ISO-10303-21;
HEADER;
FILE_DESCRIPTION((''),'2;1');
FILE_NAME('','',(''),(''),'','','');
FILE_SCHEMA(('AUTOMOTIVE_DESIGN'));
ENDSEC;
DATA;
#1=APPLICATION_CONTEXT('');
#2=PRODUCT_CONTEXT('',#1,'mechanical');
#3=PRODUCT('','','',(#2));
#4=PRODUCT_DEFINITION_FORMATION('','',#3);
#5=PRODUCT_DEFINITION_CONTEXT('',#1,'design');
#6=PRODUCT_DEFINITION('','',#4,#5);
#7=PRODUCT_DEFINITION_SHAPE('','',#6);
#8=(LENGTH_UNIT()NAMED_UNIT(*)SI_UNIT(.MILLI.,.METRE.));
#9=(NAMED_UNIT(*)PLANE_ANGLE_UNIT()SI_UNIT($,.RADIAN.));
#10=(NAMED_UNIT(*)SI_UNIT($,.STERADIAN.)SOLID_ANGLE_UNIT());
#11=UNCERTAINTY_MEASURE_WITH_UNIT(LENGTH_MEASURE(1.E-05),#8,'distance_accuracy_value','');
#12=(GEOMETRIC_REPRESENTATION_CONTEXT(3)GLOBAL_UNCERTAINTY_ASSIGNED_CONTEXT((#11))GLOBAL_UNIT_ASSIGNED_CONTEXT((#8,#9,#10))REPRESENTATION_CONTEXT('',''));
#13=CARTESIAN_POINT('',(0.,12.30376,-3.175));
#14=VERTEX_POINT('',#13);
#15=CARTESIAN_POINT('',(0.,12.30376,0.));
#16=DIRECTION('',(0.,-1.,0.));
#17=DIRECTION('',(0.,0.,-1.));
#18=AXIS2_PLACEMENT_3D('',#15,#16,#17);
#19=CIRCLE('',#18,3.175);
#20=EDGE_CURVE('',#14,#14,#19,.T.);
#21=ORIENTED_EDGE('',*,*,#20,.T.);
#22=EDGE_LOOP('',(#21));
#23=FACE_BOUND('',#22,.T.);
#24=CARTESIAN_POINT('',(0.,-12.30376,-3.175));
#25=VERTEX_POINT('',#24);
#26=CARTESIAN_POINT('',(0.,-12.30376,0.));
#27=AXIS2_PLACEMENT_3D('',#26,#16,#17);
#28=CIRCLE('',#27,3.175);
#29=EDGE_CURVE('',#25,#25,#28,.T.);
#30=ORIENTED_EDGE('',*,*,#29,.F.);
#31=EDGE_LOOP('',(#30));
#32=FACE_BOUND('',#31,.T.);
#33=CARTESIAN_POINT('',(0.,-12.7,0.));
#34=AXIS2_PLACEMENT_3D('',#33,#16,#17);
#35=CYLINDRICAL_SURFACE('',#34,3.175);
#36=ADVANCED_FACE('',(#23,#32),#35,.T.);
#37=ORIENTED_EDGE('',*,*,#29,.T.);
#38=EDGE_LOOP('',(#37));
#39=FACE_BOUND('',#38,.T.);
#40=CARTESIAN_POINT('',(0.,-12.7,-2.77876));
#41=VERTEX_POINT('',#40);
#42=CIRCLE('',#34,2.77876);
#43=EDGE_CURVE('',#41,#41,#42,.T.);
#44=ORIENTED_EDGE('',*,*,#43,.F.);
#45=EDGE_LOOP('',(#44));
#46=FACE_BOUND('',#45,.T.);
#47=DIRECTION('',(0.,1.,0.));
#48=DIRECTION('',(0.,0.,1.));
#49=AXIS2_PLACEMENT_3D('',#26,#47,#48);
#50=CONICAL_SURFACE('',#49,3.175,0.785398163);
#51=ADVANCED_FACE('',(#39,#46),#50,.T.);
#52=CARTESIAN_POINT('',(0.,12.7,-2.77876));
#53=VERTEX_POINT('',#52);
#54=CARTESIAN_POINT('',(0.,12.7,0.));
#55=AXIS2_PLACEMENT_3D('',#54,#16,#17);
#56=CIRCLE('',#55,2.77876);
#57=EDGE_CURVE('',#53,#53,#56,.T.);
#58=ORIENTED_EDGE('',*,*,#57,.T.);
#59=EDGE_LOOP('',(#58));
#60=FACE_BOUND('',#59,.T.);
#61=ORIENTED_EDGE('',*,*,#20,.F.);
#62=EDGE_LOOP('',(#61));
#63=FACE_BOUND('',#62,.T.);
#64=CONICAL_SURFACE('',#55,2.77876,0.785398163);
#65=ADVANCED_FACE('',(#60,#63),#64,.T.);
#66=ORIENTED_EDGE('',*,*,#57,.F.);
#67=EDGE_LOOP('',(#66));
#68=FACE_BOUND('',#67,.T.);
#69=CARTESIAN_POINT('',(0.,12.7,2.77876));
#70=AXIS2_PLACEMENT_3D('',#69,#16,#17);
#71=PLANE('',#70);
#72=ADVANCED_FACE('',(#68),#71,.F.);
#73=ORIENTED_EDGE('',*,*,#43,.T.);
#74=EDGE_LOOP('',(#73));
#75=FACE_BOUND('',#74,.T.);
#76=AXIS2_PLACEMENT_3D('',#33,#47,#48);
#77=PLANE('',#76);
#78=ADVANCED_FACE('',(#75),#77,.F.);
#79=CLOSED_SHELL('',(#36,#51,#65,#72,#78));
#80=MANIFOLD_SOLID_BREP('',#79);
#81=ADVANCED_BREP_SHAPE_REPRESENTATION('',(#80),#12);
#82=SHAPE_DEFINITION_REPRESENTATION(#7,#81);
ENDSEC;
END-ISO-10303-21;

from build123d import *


with BuildPart() as part:
    # Sketch1 → Revolve1 (revolve)
    with BuildSketch(Plane.YZ, mode=Mode.PRIVATE) as revolve1_sk:
        Polygon((-12.7, 0), (12.7, 0), (12.7, 2.77876), (12.30376, 3.175), (-12.30376, 3.175), (-12.7, 2.77876), align=None)
    revolve(revolve1_sk.sketch.rotate(Axis((0, -12.7, 0), (0, 1, 0)), 180), axis=Axis((0, -12.7, 0), (0, 1, 0)))


solid = part.part
